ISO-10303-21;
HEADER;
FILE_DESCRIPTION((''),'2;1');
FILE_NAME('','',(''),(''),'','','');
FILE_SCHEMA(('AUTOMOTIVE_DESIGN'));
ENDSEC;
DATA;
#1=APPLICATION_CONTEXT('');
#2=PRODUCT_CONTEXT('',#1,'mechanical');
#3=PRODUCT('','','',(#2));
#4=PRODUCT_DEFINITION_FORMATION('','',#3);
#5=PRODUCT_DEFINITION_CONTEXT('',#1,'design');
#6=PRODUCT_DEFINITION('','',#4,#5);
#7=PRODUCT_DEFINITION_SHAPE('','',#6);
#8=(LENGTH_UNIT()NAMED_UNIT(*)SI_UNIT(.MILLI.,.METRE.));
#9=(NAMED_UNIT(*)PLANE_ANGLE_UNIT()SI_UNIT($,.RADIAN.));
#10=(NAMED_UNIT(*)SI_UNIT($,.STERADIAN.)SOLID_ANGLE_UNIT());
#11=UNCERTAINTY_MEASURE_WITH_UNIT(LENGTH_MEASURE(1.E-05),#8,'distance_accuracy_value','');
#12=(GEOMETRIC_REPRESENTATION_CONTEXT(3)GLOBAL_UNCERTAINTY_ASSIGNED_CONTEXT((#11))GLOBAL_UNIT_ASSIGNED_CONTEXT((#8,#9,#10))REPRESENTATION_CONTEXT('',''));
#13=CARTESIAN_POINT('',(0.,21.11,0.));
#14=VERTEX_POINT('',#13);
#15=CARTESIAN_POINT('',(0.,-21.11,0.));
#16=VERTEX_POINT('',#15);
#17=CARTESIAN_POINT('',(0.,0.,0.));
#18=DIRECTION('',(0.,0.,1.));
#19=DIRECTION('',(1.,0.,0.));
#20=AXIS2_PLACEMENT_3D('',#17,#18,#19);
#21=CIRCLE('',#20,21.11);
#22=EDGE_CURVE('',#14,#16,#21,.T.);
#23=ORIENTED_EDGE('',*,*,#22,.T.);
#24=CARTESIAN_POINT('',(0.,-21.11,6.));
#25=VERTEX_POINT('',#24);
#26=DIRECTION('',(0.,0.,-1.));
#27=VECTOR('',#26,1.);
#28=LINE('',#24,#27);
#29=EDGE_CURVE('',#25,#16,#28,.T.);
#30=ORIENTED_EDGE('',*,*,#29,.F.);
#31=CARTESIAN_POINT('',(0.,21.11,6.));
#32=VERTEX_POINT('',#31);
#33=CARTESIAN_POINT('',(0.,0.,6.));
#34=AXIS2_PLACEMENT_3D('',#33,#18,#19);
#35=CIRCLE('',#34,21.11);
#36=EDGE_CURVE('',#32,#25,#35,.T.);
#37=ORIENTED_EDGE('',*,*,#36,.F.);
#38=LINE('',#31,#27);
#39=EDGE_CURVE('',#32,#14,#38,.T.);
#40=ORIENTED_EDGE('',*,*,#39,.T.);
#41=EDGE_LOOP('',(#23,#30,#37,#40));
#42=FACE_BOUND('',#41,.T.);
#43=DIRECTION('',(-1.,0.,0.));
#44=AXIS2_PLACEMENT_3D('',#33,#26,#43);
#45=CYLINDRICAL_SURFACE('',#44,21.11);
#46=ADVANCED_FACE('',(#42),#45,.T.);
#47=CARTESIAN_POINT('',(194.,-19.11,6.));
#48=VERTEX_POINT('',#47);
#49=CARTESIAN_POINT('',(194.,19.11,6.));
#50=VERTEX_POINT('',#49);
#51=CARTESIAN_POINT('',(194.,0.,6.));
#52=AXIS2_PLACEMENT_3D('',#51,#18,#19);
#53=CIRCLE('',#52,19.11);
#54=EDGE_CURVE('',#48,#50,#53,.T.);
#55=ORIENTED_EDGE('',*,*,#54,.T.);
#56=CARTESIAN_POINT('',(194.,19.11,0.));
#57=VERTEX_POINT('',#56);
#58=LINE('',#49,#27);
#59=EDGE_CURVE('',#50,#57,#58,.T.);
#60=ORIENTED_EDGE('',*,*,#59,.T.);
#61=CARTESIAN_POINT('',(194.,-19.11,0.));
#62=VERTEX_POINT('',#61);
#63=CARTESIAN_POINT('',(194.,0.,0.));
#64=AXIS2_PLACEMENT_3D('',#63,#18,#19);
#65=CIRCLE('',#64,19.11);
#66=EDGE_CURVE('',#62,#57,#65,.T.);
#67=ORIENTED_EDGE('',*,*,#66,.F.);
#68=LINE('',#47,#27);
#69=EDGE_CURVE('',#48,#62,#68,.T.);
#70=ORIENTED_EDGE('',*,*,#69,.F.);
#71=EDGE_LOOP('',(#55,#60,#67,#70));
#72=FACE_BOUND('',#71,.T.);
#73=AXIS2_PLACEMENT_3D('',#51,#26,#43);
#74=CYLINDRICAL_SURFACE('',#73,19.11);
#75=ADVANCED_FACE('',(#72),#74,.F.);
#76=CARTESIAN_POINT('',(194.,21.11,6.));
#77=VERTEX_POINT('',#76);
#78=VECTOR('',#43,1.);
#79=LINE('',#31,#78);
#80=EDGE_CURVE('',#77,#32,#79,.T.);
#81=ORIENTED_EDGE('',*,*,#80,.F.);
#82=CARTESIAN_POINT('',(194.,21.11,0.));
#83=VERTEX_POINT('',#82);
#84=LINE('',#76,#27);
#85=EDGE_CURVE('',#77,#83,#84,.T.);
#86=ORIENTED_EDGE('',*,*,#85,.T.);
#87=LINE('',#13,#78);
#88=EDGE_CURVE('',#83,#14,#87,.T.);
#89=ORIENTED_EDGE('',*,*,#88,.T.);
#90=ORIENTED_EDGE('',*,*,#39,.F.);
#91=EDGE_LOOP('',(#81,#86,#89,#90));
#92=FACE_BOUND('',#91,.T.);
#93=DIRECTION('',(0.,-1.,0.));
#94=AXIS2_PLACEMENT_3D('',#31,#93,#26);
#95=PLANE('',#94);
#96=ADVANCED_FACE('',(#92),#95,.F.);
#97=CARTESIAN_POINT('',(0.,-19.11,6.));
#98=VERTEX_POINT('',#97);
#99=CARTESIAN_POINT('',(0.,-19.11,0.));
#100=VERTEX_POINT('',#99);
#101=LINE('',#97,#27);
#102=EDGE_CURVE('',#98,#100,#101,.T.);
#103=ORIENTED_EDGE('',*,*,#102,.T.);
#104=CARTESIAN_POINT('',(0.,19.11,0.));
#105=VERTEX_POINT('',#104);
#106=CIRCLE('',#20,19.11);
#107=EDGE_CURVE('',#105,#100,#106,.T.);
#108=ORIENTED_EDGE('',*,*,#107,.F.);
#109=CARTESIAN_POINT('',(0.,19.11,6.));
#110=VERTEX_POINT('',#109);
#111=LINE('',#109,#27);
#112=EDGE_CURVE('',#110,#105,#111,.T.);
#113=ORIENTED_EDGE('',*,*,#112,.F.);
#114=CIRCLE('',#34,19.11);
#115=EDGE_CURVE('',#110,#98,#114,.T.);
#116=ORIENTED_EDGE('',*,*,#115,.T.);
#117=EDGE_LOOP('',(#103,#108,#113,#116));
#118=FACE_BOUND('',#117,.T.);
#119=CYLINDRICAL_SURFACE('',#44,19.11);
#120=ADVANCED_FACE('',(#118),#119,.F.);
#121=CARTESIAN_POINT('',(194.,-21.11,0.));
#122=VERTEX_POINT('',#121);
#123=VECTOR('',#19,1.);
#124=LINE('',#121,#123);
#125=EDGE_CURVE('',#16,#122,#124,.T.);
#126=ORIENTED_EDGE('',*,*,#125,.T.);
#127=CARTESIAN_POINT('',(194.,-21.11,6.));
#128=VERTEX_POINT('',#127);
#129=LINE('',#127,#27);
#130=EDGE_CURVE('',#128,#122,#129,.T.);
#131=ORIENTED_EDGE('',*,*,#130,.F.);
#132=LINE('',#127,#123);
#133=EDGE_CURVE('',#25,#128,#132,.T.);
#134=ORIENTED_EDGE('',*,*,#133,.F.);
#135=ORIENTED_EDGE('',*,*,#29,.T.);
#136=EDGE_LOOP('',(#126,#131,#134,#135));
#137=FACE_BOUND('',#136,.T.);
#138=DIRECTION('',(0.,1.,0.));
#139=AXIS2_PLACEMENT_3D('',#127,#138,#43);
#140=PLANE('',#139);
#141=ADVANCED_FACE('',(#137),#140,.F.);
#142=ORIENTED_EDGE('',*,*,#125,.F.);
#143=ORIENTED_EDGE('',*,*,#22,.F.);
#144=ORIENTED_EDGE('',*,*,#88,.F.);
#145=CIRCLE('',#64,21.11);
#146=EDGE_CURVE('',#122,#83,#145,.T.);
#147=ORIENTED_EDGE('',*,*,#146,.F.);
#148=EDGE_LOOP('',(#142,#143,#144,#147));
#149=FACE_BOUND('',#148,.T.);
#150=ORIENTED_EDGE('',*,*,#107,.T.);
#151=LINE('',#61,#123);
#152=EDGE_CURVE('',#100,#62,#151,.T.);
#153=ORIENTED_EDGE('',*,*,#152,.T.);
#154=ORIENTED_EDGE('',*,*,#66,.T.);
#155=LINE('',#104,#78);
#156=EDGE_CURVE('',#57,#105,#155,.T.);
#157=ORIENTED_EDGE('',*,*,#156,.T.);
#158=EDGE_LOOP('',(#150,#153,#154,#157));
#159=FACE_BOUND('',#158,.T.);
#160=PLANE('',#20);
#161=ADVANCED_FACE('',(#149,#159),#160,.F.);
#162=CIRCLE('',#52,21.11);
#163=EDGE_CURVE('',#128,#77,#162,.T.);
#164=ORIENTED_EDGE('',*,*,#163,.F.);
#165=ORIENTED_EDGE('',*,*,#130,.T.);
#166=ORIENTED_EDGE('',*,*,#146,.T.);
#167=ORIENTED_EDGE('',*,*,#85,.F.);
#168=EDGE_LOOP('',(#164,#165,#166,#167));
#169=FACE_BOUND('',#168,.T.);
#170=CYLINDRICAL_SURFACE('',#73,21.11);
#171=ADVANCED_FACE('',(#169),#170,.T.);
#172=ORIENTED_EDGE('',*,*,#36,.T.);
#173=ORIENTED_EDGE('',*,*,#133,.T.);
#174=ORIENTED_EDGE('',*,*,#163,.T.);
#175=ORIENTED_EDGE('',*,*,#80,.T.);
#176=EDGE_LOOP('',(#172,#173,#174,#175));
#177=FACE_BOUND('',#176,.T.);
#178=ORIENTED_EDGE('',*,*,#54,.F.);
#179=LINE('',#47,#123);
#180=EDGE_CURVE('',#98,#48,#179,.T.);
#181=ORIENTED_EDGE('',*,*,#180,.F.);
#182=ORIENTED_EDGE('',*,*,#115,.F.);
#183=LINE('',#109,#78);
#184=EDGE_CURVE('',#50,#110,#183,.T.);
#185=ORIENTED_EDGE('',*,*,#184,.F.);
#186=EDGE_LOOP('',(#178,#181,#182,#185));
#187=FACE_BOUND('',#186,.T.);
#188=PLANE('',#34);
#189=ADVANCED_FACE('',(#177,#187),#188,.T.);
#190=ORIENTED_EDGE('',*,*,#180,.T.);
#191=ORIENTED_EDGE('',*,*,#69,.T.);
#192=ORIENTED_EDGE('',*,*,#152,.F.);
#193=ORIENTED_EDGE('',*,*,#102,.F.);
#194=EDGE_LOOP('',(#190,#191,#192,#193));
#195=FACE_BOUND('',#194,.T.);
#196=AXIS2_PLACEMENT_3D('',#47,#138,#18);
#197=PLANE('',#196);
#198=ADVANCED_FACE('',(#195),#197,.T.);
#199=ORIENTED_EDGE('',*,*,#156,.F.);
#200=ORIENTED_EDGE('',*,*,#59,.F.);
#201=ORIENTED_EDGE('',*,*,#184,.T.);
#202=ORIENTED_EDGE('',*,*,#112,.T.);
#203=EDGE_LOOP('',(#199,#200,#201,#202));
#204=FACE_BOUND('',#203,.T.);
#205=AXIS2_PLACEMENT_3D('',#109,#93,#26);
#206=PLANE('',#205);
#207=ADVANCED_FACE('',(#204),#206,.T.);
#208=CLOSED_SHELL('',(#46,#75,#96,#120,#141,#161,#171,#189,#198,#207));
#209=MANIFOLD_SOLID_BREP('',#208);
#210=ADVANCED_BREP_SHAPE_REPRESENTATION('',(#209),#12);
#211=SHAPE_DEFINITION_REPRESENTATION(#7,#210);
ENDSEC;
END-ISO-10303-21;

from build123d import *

# Parameters (mm, degrees)
BOSS_EXTRUDE1_DEPTH = 6


with BuildPart() as part:
    # Sketch1 → Boss-Extrude1 (new body)
    with BuildSketch(Plane.XY):
        with BuildLine():
            Line((194, -21.11), (0, -21.11))
            ThreePointArc((0, -21.11), (-21.11, 0), (0, 21.11))
            Line((0, 21.11), (194, 21.11))
            ThreePointArc((194, 21.11), (215.11, 0), (194, -21.11))
        make_face()
        with BuildLine():
            Line((0, 19.11), (194, 19.11))
            ThreePointArc((194, 19.11), (213.11, 0), (194, -19.11))
            Line((194, -19.11), (0, -19.11))
            ThreePointArc((0, -19.11), (-19.11, 0), (0, 19.11))
        make_face(mode=Mode.SUBTRACT)
    extrude(amount=BOSS_EXTRUDE1_DEPTH)


solid = part.part
